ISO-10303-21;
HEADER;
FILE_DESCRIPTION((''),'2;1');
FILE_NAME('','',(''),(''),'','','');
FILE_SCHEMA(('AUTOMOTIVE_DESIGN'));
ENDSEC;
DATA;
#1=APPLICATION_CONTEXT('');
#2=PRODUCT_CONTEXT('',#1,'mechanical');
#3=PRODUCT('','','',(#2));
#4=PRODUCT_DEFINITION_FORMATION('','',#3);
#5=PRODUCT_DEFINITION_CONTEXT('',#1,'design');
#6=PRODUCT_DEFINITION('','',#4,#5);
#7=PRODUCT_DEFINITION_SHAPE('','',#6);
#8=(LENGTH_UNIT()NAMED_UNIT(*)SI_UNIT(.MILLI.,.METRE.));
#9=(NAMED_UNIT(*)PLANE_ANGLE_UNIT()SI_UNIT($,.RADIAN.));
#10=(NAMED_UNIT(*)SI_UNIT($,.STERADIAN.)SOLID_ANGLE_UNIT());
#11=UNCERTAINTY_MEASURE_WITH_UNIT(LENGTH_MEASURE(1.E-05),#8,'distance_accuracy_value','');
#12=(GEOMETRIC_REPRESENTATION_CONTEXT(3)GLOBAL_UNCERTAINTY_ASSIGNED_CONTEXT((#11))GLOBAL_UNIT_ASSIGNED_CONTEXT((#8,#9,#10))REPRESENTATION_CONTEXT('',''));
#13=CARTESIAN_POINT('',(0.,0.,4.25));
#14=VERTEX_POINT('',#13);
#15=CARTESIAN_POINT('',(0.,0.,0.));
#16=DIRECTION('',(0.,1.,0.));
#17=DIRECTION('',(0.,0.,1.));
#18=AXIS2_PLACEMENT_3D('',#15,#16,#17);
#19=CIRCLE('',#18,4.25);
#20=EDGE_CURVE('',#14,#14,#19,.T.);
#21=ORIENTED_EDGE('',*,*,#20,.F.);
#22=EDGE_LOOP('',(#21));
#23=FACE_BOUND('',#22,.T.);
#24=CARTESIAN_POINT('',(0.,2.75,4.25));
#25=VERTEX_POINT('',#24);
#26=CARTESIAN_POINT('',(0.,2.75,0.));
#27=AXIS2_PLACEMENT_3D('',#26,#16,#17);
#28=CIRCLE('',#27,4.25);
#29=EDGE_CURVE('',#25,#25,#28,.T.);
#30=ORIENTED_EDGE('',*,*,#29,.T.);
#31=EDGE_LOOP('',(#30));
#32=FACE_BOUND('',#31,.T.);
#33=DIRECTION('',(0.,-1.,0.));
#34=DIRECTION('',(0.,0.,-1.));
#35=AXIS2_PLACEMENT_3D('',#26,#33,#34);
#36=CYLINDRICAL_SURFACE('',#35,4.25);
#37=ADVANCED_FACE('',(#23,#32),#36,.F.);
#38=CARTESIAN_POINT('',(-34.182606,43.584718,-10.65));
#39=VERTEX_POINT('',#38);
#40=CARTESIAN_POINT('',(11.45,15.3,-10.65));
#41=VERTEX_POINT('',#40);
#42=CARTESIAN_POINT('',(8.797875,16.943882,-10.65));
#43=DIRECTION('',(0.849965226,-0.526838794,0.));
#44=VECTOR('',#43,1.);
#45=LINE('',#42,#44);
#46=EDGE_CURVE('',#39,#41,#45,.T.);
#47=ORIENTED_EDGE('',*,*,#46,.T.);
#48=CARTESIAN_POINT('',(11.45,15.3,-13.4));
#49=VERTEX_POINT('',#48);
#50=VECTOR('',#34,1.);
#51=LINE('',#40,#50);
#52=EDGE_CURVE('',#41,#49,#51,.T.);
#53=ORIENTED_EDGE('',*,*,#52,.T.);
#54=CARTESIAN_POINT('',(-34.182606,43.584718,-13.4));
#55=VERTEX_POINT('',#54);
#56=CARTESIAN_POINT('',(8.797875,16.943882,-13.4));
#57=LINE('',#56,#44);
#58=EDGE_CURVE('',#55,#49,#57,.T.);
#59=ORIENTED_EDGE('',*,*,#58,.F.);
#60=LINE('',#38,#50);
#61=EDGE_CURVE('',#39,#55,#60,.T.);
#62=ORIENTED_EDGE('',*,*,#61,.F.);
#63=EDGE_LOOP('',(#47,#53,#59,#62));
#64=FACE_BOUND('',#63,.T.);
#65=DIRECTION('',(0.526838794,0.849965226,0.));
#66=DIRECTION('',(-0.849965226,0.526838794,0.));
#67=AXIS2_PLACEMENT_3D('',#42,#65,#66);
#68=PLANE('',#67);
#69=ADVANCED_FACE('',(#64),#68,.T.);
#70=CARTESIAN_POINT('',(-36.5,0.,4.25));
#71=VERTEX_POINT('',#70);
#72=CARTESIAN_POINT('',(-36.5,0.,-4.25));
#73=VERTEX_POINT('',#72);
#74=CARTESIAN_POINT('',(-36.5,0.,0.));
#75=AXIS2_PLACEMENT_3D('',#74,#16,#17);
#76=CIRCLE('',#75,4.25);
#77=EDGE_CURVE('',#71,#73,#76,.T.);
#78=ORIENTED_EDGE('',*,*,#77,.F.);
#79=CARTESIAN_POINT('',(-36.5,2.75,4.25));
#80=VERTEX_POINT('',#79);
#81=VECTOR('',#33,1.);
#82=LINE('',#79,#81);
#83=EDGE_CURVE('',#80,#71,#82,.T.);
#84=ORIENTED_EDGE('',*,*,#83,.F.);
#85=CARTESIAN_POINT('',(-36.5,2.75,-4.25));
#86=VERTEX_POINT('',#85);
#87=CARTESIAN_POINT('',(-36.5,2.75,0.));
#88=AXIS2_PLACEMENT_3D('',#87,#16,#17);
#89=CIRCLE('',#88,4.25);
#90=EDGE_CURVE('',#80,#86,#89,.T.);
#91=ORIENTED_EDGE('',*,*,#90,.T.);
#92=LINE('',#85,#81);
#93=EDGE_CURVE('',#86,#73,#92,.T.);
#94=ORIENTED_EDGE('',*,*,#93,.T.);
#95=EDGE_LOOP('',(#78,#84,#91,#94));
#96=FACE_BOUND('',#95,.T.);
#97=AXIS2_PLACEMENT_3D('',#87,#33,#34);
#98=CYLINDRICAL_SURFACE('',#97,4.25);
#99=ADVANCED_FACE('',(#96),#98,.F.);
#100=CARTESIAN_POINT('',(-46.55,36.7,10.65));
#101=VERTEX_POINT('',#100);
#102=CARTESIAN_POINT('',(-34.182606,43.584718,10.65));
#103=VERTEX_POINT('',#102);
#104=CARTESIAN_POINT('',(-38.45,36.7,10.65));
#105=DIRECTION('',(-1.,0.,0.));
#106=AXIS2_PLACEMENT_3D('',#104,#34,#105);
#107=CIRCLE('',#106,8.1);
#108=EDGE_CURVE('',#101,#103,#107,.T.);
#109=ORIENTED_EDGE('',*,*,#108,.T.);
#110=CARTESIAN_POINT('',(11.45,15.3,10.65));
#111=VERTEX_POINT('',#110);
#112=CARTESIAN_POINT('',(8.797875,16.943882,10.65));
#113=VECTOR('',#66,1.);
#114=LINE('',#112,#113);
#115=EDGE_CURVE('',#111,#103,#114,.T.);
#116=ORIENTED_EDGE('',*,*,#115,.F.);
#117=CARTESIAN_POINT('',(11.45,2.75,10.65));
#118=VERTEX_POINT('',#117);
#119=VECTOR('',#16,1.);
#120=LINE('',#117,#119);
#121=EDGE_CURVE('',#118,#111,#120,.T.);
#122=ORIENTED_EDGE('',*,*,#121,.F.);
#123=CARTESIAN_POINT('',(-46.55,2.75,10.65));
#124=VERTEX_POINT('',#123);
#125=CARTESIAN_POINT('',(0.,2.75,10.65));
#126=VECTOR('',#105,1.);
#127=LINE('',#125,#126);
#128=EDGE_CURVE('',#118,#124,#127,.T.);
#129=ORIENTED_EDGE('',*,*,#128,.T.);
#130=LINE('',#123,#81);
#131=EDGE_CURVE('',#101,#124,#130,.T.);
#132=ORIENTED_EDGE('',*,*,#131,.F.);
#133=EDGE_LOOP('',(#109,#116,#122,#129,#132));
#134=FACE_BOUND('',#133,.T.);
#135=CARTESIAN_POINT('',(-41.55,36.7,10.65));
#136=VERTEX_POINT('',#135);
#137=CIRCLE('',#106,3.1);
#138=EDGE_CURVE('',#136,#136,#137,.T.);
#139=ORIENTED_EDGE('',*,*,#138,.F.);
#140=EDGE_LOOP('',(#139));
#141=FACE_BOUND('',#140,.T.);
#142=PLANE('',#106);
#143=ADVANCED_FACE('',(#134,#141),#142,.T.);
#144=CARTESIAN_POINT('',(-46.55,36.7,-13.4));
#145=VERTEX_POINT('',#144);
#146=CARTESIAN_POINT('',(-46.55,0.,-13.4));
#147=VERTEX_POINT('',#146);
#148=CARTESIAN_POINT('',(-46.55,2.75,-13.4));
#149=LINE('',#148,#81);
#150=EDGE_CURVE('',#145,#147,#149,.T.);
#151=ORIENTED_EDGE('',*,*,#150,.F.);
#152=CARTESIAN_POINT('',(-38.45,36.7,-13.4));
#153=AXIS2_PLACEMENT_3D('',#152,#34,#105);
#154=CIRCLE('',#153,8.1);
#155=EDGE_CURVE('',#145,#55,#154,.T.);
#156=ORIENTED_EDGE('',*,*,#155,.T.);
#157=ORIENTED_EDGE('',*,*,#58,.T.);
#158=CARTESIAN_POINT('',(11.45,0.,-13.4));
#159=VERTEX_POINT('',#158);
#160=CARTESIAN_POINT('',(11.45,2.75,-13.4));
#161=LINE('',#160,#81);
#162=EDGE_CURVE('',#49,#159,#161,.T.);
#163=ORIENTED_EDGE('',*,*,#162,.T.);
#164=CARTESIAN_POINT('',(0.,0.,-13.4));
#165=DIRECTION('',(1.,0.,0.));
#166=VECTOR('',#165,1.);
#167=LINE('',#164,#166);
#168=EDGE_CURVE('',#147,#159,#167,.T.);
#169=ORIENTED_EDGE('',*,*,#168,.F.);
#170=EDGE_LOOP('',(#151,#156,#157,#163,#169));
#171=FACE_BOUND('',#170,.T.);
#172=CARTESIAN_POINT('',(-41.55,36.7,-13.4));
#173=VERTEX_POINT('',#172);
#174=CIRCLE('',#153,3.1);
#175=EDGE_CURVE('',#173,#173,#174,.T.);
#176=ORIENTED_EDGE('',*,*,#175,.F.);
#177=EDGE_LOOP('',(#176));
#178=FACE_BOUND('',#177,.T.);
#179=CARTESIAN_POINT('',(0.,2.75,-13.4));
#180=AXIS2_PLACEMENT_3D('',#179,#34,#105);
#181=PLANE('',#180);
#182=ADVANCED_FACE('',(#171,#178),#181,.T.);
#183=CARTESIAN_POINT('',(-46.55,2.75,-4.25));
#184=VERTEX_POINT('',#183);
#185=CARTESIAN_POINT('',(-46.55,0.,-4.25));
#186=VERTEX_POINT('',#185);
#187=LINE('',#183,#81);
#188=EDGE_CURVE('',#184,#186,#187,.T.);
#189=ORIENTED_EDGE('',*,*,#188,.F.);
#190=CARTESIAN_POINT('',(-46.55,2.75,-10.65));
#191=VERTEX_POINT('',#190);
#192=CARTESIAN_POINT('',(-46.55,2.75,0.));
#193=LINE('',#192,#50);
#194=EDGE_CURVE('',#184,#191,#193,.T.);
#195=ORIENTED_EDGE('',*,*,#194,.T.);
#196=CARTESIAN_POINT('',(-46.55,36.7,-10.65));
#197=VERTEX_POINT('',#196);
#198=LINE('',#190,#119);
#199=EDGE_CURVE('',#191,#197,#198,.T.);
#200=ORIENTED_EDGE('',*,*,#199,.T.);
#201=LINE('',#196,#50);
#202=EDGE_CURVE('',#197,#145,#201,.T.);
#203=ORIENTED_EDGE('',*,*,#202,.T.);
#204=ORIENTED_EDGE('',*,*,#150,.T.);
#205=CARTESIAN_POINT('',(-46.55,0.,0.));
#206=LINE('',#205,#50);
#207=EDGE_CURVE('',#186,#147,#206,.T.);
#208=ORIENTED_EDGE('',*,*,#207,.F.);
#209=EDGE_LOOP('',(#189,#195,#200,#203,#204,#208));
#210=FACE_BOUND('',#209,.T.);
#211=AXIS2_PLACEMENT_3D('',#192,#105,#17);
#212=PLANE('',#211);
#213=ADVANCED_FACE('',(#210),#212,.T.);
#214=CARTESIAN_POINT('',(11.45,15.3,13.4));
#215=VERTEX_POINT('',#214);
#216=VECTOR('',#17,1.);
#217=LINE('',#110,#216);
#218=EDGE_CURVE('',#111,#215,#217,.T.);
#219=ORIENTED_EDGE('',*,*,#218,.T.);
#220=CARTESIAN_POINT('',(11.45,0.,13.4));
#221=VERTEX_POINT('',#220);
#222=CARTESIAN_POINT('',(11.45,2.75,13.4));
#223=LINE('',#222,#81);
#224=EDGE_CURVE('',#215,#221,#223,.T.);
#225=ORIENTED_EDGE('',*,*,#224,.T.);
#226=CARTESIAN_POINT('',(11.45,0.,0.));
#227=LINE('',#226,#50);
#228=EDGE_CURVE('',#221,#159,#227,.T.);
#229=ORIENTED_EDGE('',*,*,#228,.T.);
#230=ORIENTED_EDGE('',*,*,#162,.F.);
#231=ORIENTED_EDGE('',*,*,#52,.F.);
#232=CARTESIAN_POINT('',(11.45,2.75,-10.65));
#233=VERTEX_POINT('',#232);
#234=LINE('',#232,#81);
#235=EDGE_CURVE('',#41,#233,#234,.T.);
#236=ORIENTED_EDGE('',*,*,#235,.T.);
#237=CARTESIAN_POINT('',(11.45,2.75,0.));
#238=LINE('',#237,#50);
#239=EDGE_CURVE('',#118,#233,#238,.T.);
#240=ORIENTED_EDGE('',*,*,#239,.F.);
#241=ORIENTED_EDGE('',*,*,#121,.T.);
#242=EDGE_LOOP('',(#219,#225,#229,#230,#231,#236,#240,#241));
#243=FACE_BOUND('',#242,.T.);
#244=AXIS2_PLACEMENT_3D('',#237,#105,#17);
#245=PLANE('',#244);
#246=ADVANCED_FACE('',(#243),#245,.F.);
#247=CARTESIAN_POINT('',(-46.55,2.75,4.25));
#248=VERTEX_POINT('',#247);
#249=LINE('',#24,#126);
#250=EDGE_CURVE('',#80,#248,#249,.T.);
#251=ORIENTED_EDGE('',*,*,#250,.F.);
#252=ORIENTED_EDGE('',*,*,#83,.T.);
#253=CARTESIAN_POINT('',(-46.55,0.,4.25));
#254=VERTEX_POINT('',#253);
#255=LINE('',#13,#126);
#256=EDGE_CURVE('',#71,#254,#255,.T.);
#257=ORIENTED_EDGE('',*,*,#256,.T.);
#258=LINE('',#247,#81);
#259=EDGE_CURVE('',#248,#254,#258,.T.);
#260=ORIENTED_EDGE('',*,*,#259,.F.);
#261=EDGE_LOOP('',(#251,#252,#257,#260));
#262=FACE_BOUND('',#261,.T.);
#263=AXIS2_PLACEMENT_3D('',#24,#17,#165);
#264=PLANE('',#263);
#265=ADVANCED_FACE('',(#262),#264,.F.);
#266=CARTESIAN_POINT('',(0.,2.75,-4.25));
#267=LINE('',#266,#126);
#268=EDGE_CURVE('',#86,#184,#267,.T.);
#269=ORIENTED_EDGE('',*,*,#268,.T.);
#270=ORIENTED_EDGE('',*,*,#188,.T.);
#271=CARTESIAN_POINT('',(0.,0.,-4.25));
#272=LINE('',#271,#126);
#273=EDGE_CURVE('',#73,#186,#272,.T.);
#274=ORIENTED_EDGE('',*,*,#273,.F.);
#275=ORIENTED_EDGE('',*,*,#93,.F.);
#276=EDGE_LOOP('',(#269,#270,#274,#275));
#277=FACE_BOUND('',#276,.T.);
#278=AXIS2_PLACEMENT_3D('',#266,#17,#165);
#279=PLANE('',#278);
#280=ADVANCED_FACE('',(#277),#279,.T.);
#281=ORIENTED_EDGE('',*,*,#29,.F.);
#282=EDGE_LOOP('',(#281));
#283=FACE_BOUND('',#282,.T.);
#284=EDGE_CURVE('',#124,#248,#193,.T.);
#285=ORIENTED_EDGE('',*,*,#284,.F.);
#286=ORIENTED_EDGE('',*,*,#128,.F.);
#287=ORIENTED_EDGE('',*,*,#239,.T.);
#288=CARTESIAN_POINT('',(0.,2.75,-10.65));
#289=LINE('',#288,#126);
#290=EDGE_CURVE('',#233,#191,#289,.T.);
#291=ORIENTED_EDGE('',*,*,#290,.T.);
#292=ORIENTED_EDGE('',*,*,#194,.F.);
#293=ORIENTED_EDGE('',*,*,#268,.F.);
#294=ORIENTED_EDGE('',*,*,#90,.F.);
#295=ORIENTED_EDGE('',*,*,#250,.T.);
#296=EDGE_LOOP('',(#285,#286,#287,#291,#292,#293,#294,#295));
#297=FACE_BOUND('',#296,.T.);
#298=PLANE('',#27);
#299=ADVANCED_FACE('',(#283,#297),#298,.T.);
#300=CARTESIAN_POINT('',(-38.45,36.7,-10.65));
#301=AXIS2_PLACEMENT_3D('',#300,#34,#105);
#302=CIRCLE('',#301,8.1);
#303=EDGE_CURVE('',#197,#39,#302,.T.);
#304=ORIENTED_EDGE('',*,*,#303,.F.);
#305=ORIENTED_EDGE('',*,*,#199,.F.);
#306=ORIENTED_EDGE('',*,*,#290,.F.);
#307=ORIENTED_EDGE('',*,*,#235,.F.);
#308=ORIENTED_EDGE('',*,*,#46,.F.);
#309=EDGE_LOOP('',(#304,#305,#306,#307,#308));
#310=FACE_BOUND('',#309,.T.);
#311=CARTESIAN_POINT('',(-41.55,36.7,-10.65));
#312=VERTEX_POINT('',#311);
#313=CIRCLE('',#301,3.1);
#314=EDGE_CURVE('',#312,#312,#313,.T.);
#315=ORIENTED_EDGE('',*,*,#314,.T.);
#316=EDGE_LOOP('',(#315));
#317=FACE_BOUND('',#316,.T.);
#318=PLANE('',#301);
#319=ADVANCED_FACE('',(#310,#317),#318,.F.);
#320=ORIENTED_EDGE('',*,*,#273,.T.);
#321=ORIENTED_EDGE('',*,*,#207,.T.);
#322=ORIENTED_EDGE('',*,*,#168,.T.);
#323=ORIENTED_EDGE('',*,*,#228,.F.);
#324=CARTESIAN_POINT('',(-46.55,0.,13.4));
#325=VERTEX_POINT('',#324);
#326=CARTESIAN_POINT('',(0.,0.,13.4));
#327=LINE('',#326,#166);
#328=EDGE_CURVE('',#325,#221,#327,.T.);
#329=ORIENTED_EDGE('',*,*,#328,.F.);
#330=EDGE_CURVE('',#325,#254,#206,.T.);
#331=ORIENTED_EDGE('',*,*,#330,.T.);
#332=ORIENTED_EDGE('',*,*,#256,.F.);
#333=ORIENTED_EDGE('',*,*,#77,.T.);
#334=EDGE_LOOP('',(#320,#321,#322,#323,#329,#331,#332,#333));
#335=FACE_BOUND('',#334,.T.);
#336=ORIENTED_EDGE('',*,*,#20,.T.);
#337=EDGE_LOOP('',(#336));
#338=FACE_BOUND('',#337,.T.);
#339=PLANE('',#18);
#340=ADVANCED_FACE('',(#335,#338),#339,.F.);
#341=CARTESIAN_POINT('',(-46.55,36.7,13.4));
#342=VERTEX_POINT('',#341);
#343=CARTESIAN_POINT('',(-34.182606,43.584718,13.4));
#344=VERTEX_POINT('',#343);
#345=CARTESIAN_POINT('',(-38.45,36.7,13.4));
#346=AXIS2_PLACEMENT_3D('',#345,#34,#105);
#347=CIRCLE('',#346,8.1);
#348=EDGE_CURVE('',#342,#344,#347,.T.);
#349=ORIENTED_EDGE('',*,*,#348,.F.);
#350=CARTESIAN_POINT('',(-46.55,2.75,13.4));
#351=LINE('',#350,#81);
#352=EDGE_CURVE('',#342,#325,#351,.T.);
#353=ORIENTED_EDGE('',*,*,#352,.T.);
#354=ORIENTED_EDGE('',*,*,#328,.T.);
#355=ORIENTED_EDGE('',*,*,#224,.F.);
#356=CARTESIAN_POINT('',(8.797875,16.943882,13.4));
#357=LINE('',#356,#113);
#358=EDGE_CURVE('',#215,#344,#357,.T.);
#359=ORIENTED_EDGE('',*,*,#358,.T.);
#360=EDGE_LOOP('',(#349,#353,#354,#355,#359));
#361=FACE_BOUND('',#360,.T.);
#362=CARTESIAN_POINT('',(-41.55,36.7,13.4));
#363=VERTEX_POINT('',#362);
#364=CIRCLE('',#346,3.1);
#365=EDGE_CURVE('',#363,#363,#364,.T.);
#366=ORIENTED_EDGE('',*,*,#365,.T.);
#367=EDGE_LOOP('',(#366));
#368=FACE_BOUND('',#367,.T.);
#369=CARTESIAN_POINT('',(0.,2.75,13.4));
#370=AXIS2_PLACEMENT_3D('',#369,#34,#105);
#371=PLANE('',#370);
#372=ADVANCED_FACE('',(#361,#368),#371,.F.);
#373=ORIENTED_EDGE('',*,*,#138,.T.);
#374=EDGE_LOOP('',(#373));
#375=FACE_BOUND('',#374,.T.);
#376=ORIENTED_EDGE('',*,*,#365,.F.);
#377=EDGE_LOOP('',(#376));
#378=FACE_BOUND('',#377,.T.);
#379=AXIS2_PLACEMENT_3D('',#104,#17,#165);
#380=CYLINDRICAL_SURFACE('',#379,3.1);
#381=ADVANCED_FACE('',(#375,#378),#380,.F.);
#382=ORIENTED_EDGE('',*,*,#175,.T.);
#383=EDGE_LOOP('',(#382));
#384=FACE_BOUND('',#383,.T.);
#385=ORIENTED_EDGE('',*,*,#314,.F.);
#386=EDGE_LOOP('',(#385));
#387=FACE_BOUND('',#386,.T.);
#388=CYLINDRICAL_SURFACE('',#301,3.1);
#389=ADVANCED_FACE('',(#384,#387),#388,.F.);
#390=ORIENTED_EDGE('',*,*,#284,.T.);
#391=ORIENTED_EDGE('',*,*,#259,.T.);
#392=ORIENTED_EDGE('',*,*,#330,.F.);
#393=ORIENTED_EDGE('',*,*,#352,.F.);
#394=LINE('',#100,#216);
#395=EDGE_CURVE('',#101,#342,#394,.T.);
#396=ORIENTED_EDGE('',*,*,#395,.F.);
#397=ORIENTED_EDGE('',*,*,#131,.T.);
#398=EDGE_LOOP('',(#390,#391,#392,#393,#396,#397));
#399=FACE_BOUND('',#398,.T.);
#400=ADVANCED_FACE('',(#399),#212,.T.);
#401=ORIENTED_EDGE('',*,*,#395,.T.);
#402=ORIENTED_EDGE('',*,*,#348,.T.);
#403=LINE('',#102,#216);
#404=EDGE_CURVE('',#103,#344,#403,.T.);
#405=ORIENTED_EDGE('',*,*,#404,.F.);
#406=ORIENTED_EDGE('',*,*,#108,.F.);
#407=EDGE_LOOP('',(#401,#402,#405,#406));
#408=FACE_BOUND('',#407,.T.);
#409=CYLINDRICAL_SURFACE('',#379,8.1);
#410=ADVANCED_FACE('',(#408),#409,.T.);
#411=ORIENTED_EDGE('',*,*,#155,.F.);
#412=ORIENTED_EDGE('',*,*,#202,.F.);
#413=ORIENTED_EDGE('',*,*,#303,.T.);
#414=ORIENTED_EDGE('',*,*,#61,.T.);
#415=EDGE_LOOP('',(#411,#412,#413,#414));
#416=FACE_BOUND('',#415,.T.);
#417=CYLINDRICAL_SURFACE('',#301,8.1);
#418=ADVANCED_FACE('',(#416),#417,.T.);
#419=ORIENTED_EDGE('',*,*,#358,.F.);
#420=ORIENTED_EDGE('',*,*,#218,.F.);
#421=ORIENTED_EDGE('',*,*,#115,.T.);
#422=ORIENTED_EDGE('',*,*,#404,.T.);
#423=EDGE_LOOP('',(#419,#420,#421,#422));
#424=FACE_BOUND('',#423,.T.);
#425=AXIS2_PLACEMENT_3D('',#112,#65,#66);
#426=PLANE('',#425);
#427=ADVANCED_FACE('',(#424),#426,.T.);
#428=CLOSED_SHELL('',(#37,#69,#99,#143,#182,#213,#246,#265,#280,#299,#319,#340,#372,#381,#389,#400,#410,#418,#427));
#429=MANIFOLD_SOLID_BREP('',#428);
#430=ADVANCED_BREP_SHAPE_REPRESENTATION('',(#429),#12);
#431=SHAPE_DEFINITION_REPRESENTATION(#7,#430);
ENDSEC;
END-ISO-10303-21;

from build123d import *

# Parameters (mm, degrees)
SKETCH1_R           = 4.25
BOSS_EXTRUDE1_DEPTH = 2.75
BOSS_EXTRUDE2_START = 13.4
SKETCH2_R           = 3.1
BOSS_EXTRUDE2_DEPTH = 2.75
BOSS_EXTRUDE3_START = -10.65
SKETCH2_2_R         = 3.1
BOSS_EXTRUDE3_DEPTH = 2.75


with BuildPart() as part:
    # Sketch1 → Boss-Extrude1 (new body)
    with BuildSketch(Plane(origin=(0, 0, 0), x_dir=(1, 0, 0), z_dir=(0, 1, 0))):
        with BuildLine():
            Line((-46.55, 4.25), (-36.5, 4.25))
            ThreePointArc((-36.5, 4.25), (-33.49479618, 3.00520382), (-32.25, 0))
            ThreePointArc((-32.25, 0), (-33.49479618, -3.00520382), (-36.5, -4.25))
            Line((-36.5, -4.25), (-46.55, -4.25))
            Line((-46.55, -4.25), (-46.55, -13.4))
            Line((-46.55, -13.4), (11.45, -13.4))
            Line((11.45, -13.4), (11.45, 13.4))
            Line((11.45, 13.4), (-46.55, 13.4))
            Line((-46.55, 13.4), (-46.55, 4.25))
        make_face()
        with Locations(Location((0, 0, 0), (0, 0, 270))):
            Circle(SKETCH1_R, mode=Mode.SUBTRACT)
    extrude(amount=BOSS_EXTRUDE1_DEPTH)

    # Sketch2 → Boss-Extrude2 (add)
    with BuildSketch(Plane.XY.offset(BOSS_EXTRUDE2_START)):
        with BuildLine():
            Line((-46.55, 0), (-46.55, 36.7))
            ThreePointArc((-46.55, 36.7), (-42.389803721, 43.777283846), (-34.182605767, 43.584718328))
            Line((-34.182605767, 43.584718328), (11.45, 15.3))
            Line((11.45, 15.3), (11.45, 0))
            Line((11.45, 0), (-46.55, 0))
        make_face()
        with Locations(Location((-38.45, 36.7, 0), (0, 0, 180))):
            Circle(SKETCH2_R, mode=Mode.SUBTRACT)
    extrude(amount=-BOSS_EXTRUDE2_DEPTH)

    # Sketch2<2> → Boss-Extrude3 (add)
    with BuildSketch(Plane.XY.offset(BOSS_EXTRUDE3_START)):
        with BuildLine():
            Line((-46.55, 0), (-46.55, 36.7))
            ThreePointArc((-46.55, 36.7), (-42.389803721, 43.777283846), (-34.182605767, 43.584718328))
            Line((-34.182605767, 43.584718328), (11.45, 15.3))
            Line((11.45, 15.3), (11.45, 0))
            Line((11.45, 0), (-46.55, 0))
        make_face()
        with Locations(Location((-38.45, 36.7, 0), (0, 0, 180))):
            Circle(SKETCH2_2_R, mode=Mode.SUBTRACT)
    extrude(amount=-BOSS_EXTRUDE3_DEPTH)


solid = part.part
